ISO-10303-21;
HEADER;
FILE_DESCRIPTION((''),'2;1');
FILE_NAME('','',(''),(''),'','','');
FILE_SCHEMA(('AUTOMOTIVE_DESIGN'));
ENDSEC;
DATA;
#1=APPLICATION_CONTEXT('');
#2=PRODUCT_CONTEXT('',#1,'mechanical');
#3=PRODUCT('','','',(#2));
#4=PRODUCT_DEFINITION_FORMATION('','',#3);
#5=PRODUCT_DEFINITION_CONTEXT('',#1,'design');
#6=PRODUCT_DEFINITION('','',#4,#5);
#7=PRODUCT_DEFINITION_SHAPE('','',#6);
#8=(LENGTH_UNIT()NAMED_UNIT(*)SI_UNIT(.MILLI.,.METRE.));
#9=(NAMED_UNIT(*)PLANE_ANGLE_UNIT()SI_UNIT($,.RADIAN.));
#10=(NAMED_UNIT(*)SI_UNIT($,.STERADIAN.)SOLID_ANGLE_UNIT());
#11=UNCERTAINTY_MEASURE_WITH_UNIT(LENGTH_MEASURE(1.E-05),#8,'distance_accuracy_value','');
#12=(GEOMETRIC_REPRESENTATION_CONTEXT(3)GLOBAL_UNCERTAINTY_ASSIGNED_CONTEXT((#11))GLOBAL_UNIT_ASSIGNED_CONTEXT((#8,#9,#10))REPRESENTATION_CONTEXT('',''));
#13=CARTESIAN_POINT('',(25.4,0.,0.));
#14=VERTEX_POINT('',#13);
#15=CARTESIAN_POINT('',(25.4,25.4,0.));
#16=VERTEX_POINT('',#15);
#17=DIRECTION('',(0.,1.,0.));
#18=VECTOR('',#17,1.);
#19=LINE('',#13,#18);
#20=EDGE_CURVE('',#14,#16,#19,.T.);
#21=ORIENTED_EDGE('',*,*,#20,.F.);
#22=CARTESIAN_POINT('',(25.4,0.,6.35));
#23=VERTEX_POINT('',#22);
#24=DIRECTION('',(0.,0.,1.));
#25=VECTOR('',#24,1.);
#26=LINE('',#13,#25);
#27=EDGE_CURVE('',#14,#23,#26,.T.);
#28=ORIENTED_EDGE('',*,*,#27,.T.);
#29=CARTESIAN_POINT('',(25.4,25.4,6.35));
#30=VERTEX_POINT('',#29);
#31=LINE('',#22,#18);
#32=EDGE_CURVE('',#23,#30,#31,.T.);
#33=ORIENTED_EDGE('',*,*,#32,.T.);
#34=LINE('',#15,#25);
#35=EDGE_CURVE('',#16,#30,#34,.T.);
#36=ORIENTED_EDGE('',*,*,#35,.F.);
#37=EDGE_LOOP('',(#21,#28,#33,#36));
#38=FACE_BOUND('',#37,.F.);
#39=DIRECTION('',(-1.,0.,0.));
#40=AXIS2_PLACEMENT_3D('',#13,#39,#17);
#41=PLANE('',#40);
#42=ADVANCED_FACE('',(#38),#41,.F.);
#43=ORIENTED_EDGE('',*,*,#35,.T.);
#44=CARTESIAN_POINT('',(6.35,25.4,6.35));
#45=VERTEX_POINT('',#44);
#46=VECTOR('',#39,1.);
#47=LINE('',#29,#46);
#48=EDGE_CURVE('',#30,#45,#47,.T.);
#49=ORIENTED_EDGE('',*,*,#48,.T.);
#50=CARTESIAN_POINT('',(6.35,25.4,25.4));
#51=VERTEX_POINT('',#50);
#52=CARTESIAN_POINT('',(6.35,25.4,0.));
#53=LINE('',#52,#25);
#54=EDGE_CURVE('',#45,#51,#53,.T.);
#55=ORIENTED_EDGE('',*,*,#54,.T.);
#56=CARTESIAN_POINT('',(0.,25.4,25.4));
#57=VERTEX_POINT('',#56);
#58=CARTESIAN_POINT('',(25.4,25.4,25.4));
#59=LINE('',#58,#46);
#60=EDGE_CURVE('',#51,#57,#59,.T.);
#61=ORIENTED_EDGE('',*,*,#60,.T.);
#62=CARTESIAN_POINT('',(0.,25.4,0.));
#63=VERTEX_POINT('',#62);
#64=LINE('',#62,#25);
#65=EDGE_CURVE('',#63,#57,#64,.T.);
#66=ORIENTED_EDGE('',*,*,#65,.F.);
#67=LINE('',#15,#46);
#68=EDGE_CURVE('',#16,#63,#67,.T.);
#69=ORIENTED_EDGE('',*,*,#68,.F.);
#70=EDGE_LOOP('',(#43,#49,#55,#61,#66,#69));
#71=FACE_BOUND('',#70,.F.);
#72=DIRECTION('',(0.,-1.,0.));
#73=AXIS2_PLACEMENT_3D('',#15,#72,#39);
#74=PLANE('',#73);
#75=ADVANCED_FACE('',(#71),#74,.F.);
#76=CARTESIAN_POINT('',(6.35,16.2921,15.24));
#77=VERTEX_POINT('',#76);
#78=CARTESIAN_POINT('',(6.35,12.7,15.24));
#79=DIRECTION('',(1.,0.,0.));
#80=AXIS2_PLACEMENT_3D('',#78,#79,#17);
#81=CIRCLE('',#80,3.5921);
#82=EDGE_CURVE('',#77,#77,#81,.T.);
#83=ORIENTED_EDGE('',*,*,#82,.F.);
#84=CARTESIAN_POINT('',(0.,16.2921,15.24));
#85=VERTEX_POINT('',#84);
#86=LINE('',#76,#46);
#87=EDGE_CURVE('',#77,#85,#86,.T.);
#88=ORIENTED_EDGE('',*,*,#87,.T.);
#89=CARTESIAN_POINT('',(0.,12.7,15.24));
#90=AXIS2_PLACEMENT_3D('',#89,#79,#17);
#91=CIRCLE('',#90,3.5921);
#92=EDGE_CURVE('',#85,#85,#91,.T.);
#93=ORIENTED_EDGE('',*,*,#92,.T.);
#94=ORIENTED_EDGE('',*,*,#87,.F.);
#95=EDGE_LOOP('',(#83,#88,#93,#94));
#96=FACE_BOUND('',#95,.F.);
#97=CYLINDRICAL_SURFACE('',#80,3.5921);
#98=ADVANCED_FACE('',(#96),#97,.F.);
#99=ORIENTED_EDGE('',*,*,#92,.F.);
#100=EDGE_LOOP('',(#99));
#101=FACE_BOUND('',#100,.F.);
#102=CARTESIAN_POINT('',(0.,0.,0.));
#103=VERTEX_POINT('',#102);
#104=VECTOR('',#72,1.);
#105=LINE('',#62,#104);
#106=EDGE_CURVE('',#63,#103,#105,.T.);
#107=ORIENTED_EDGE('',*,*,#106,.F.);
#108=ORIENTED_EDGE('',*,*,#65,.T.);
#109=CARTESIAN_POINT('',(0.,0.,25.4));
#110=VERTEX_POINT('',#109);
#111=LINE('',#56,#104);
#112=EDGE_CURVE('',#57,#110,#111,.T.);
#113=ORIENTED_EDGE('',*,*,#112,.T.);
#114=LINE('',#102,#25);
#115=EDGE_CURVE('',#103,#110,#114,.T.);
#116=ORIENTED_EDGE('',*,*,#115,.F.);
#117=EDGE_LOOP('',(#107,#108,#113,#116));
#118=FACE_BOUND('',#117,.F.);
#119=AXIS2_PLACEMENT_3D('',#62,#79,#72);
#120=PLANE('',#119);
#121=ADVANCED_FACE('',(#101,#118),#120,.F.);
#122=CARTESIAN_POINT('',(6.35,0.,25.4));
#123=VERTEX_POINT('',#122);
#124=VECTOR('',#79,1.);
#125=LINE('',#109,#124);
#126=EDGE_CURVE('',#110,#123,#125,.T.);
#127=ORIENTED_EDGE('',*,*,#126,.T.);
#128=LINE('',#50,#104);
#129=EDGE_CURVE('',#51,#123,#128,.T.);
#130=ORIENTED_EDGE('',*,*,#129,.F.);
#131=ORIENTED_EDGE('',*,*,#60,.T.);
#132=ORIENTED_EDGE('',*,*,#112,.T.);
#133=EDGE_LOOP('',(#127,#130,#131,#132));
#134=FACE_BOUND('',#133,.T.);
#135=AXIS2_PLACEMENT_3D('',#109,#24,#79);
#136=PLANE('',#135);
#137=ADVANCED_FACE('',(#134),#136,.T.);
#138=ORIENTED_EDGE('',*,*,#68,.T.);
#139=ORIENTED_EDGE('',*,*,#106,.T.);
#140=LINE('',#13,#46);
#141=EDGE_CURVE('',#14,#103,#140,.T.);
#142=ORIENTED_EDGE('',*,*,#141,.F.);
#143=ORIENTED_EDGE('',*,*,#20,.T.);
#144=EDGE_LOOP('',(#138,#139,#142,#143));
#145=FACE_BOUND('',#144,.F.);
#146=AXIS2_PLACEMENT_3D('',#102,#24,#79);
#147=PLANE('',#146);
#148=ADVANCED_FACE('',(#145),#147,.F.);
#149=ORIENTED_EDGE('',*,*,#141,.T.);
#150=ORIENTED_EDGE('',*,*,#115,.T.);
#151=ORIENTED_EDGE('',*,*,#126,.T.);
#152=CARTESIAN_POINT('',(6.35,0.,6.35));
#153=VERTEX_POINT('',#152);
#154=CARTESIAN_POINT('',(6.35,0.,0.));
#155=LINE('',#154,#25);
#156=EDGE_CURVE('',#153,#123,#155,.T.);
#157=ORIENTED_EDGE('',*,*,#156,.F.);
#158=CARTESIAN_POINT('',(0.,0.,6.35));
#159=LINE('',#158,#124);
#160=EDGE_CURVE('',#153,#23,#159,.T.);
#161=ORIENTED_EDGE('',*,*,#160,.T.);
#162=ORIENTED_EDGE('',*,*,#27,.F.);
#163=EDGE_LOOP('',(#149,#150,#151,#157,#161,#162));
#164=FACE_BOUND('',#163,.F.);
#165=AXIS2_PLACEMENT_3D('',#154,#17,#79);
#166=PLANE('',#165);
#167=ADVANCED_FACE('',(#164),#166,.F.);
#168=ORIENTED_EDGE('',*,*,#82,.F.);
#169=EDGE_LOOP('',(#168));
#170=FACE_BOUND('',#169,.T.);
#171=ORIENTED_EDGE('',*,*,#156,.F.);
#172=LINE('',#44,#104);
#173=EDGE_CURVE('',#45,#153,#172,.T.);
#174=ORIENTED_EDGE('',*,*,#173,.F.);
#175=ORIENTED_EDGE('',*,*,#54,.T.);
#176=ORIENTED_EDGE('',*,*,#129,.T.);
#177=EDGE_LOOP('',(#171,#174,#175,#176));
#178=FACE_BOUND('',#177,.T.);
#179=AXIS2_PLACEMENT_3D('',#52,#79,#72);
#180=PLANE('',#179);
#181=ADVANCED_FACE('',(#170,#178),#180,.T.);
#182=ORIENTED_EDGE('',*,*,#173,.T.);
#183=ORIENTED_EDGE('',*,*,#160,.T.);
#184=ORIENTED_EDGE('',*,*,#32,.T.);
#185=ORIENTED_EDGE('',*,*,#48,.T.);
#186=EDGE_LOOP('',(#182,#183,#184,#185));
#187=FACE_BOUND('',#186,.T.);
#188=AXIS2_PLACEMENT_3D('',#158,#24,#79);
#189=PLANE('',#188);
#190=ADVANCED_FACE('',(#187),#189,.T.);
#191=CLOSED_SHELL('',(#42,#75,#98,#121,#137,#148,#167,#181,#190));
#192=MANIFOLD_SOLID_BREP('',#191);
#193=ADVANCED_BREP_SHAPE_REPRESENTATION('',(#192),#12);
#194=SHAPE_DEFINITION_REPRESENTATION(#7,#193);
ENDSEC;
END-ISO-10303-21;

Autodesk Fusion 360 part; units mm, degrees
sketch "Sketch1" plane through (0, 0, 0) normal (0, 0, 1) x (1, 0, 0)
  line L0 (0, 0) -> (25.4, 0)
  line L1 (25.4, 0) -> (25.4, 25.4)
  line L2 (25.4, 25.4) -> (0, 25.4)
  line L3 (0, 25.4) -> (0, 0)
  line L4 (0, 25.4) -> (6.35, 25.4)
  line L5 (6.35, 25.4) -> (6.35, 0)
  line L6 (6.35, 0) -> (0, 0)
  line L7 (0, 0) -> (0, 25.4)
  dimension "d1" = 25.4
  dimension "d2" = 25.4
  dimension "d3" = 6.35
extrude "Extrude1" add sketch "Sketch1" along normal blind 6.35 contours L0 L1 L2 L5
extrude "Extrude2" add sketch "Sketch1" along normal blind 25.4 contours L0 L2 L3 L4 L5 L6 L7
sketch "Sketch2" plane through (6.35, 0, 0) normal (1, 0, 0) x (0, 1, 0)
  line L0 (0, 6.35) -> (25.4, 6.35)
  line L1 (25.4, 6.35) -> (25.4, 25.4)
  line L2 (25.4, 25.4) -> (0, 25.4)
  line L3 (0, 25.4) -> (0, 6.35)
  circle A0 centre (12.7, 15.24) radius 3.5921
extrude "Extrude3" cut sketch "Sketch2" against normal blind 38.1 contours A0
